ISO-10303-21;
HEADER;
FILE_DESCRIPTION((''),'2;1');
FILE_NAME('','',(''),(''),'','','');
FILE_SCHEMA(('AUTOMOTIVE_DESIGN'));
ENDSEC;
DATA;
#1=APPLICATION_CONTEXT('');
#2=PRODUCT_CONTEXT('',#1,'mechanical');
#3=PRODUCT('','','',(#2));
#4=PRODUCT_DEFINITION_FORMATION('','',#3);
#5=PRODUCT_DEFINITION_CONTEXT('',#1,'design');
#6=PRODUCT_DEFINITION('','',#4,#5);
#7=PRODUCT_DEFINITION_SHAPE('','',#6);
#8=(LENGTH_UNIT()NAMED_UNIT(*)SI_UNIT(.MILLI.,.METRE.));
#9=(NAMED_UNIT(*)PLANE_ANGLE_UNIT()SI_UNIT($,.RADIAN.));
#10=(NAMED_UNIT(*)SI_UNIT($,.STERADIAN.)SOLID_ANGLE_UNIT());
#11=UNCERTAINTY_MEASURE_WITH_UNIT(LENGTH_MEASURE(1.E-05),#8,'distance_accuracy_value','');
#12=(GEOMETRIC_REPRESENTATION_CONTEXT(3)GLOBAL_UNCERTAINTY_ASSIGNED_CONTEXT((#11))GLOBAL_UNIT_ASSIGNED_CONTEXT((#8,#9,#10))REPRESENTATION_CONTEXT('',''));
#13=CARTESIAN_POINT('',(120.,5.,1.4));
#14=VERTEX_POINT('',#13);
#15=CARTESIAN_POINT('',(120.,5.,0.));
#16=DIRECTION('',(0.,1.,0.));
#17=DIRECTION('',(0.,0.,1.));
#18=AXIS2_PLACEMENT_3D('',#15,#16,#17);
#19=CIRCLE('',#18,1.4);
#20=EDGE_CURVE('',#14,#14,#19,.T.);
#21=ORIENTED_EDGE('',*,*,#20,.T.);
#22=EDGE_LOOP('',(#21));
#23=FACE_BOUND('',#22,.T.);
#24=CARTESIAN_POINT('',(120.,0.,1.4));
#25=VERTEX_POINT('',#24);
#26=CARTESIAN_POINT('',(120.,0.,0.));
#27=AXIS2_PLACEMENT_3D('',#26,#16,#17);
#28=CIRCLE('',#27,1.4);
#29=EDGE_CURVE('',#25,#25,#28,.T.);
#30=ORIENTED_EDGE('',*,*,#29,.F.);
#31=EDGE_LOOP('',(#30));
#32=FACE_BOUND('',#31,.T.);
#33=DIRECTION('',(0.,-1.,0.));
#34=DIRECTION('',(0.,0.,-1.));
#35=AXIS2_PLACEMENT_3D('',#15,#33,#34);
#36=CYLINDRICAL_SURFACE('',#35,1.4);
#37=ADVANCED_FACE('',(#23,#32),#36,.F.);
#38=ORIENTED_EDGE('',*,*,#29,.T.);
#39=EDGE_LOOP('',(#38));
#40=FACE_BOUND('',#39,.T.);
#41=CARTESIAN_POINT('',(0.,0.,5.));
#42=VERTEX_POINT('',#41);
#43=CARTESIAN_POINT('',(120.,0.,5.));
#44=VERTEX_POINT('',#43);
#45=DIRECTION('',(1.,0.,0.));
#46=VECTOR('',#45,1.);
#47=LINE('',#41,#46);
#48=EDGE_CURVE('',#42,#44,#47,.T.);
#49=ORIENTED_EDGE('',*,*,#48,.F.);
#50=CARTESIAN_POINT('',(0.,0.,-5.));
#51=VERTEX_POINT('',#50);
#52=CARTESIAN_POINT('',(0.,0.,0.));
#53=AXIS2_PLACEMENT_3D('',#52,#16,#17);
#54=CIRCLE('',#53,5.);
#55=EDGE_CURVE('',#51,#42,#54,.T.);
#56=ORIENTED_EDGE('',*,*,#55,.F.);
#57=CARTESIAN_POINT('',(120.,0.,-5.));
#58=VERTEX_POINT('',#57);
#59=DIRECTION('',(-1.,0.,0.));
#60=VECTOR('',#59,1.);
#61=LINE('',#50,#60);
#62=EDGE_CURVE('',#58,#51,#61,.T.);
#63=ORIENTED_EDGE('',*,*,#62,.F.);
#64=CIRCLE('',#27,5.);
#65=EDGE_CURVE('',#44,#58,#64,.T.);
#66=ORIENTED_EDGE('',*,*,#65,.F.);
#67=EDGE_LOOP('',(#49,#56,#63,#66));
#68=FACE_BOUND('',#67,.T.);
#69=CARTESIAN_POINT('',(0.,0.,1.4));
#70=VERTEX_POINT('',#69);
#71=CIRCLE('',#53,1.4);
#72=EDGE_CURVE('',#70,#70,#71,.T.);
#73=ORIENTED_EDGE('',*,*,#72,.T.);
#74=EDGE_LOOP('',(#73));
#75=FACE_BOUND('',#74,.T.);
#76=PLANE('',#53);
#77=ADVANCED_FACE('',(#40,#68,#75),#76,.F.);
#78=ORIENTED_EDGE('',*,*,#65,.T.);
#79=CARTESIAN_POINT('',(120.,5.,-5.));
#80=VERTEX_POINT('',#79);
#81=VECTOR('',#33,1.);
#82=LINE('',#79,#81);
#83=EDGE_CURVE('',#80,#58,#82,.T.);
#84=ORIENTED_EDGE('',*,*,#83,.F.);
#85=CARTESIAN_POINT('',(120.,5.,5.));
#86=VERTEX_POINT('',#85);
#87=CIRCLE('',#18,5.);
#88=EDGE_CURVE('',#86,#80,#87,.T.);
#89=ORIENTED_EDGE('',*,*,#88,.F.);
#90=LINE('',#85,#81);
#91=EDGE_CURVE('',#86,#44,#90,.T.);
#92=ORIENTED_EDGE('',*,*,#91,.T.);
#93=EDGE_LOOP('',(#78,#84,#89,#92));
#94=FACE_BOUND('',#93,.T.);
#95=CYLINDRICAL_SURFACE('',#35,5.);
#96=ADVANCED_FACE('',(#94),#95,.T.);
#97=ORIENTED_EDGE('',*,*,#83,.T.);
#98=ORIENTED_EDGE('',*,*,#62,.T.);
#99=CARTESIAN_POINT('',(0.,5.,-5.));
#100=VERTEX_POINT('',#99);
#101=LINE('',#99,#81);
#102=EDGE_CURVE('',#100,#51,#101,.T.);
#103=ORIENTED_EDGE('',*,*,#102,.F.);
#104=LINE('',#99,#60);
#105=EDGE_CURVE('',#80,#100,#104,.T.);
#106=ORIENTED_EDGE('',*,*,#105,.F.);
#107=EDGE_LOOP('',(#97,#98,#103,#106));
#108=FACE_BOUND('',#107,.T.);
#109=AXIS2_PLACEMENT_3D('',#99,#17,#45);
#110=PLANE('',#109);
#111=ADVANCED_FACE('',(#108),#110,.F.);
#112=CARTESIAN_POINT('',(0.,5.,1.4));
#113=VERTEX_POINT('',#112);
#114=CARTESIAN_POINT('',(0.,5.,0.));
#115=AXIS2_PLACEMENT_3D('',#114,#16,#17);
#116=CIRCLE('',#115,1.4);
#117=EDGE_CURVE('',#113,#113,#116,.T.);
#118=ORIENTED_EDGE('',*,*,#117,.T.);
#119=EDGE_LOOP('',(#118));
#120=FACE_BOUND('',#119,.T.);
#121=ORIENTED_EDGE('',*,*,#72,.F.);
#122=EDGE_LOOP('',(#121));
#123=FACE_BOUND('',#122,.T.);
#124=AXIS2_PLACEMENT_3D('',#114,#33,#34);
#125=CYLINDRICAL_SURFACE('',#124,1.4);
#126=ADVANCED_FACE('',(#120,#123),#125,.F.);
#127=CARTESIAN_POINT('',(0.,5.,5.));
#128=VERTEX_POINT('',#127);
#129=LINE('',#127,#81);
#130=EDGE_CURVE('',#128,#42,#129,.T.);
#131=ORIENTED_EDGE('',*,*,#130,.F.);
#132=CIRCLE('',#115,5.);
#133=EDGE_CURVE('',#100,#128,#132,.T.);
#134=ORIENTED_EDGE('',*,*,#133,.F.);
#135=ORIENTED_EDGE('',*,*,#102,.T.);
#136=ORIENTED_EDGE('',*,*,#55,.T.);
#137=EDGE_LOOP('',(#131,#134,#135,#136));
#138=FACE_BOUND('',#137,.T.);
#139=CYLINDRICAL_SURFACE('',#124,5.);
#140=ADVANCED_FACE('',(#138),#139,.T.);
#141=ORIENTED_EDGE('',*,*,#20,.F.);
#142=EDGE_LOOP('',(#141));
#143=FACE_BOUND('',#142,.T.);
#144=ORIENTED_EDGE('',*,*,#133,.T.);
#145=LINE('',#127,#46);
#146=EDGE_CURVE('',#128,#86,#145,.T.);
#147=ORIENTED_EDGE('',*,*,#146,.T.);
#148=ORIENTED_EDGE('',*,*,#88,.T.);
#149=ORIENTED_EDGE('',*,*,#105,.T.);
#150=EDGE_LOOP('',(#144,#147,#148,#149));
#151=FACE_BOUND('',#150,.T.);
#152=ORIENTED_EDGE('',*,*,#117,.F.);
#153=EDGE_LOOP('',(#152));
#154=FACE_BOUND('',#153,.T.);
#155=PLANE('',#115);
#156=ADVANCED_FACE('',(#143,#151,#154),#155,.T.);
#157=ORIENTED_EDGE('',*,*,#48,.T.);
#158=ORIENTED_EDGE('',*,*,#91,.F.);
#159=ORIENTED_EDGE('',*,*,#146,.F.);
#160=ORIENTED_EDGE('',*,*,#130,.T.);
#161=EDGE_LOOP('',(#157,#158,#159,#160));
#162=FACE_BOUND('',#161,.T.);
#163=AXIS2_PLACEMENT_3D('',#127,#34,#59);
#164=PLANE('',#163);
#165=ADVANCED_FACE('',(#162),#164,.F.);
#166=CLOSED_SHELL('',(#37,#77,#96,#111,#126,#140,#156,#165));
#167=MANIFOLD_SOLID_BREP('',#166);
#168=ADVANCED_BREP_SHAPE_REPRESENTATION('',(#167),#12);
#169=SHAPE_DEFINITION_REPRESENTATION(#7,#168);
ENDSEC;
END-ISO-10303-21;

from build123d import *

# Parameters (mm, degrees)
SKETCH1_R           = 1.4
BOSS_EXTRUDE1_DEPTH = 5


with BuildPart() as part:
    # Sketch1 → Boss-Extrude1 (new body)
    with BuildSketch(Plane(origin=(0, 0, 0), x_dir=(1, 0, 0), z_dir=(0, 1, 0))):
        with BuildLine():
            Line((0, 5), (120, 5))
            ThreePointArc((120, 5), (125, 0), (120, -5))
            Line((120, -5), (0, -5))
            ThreePointArc((0, -5), (-5, 0), (0, 5))
        make_face()
        Circle(SKETCH1_R, mode=Mode.SUBTRACT)
        with Locations((120, 0)):
            Circle(SKETCH1_R, mode=Mode.SUBTRACT)
    extrude(amount=BOSS_EXTRUDE1_DEPTH)


solid = part.part
